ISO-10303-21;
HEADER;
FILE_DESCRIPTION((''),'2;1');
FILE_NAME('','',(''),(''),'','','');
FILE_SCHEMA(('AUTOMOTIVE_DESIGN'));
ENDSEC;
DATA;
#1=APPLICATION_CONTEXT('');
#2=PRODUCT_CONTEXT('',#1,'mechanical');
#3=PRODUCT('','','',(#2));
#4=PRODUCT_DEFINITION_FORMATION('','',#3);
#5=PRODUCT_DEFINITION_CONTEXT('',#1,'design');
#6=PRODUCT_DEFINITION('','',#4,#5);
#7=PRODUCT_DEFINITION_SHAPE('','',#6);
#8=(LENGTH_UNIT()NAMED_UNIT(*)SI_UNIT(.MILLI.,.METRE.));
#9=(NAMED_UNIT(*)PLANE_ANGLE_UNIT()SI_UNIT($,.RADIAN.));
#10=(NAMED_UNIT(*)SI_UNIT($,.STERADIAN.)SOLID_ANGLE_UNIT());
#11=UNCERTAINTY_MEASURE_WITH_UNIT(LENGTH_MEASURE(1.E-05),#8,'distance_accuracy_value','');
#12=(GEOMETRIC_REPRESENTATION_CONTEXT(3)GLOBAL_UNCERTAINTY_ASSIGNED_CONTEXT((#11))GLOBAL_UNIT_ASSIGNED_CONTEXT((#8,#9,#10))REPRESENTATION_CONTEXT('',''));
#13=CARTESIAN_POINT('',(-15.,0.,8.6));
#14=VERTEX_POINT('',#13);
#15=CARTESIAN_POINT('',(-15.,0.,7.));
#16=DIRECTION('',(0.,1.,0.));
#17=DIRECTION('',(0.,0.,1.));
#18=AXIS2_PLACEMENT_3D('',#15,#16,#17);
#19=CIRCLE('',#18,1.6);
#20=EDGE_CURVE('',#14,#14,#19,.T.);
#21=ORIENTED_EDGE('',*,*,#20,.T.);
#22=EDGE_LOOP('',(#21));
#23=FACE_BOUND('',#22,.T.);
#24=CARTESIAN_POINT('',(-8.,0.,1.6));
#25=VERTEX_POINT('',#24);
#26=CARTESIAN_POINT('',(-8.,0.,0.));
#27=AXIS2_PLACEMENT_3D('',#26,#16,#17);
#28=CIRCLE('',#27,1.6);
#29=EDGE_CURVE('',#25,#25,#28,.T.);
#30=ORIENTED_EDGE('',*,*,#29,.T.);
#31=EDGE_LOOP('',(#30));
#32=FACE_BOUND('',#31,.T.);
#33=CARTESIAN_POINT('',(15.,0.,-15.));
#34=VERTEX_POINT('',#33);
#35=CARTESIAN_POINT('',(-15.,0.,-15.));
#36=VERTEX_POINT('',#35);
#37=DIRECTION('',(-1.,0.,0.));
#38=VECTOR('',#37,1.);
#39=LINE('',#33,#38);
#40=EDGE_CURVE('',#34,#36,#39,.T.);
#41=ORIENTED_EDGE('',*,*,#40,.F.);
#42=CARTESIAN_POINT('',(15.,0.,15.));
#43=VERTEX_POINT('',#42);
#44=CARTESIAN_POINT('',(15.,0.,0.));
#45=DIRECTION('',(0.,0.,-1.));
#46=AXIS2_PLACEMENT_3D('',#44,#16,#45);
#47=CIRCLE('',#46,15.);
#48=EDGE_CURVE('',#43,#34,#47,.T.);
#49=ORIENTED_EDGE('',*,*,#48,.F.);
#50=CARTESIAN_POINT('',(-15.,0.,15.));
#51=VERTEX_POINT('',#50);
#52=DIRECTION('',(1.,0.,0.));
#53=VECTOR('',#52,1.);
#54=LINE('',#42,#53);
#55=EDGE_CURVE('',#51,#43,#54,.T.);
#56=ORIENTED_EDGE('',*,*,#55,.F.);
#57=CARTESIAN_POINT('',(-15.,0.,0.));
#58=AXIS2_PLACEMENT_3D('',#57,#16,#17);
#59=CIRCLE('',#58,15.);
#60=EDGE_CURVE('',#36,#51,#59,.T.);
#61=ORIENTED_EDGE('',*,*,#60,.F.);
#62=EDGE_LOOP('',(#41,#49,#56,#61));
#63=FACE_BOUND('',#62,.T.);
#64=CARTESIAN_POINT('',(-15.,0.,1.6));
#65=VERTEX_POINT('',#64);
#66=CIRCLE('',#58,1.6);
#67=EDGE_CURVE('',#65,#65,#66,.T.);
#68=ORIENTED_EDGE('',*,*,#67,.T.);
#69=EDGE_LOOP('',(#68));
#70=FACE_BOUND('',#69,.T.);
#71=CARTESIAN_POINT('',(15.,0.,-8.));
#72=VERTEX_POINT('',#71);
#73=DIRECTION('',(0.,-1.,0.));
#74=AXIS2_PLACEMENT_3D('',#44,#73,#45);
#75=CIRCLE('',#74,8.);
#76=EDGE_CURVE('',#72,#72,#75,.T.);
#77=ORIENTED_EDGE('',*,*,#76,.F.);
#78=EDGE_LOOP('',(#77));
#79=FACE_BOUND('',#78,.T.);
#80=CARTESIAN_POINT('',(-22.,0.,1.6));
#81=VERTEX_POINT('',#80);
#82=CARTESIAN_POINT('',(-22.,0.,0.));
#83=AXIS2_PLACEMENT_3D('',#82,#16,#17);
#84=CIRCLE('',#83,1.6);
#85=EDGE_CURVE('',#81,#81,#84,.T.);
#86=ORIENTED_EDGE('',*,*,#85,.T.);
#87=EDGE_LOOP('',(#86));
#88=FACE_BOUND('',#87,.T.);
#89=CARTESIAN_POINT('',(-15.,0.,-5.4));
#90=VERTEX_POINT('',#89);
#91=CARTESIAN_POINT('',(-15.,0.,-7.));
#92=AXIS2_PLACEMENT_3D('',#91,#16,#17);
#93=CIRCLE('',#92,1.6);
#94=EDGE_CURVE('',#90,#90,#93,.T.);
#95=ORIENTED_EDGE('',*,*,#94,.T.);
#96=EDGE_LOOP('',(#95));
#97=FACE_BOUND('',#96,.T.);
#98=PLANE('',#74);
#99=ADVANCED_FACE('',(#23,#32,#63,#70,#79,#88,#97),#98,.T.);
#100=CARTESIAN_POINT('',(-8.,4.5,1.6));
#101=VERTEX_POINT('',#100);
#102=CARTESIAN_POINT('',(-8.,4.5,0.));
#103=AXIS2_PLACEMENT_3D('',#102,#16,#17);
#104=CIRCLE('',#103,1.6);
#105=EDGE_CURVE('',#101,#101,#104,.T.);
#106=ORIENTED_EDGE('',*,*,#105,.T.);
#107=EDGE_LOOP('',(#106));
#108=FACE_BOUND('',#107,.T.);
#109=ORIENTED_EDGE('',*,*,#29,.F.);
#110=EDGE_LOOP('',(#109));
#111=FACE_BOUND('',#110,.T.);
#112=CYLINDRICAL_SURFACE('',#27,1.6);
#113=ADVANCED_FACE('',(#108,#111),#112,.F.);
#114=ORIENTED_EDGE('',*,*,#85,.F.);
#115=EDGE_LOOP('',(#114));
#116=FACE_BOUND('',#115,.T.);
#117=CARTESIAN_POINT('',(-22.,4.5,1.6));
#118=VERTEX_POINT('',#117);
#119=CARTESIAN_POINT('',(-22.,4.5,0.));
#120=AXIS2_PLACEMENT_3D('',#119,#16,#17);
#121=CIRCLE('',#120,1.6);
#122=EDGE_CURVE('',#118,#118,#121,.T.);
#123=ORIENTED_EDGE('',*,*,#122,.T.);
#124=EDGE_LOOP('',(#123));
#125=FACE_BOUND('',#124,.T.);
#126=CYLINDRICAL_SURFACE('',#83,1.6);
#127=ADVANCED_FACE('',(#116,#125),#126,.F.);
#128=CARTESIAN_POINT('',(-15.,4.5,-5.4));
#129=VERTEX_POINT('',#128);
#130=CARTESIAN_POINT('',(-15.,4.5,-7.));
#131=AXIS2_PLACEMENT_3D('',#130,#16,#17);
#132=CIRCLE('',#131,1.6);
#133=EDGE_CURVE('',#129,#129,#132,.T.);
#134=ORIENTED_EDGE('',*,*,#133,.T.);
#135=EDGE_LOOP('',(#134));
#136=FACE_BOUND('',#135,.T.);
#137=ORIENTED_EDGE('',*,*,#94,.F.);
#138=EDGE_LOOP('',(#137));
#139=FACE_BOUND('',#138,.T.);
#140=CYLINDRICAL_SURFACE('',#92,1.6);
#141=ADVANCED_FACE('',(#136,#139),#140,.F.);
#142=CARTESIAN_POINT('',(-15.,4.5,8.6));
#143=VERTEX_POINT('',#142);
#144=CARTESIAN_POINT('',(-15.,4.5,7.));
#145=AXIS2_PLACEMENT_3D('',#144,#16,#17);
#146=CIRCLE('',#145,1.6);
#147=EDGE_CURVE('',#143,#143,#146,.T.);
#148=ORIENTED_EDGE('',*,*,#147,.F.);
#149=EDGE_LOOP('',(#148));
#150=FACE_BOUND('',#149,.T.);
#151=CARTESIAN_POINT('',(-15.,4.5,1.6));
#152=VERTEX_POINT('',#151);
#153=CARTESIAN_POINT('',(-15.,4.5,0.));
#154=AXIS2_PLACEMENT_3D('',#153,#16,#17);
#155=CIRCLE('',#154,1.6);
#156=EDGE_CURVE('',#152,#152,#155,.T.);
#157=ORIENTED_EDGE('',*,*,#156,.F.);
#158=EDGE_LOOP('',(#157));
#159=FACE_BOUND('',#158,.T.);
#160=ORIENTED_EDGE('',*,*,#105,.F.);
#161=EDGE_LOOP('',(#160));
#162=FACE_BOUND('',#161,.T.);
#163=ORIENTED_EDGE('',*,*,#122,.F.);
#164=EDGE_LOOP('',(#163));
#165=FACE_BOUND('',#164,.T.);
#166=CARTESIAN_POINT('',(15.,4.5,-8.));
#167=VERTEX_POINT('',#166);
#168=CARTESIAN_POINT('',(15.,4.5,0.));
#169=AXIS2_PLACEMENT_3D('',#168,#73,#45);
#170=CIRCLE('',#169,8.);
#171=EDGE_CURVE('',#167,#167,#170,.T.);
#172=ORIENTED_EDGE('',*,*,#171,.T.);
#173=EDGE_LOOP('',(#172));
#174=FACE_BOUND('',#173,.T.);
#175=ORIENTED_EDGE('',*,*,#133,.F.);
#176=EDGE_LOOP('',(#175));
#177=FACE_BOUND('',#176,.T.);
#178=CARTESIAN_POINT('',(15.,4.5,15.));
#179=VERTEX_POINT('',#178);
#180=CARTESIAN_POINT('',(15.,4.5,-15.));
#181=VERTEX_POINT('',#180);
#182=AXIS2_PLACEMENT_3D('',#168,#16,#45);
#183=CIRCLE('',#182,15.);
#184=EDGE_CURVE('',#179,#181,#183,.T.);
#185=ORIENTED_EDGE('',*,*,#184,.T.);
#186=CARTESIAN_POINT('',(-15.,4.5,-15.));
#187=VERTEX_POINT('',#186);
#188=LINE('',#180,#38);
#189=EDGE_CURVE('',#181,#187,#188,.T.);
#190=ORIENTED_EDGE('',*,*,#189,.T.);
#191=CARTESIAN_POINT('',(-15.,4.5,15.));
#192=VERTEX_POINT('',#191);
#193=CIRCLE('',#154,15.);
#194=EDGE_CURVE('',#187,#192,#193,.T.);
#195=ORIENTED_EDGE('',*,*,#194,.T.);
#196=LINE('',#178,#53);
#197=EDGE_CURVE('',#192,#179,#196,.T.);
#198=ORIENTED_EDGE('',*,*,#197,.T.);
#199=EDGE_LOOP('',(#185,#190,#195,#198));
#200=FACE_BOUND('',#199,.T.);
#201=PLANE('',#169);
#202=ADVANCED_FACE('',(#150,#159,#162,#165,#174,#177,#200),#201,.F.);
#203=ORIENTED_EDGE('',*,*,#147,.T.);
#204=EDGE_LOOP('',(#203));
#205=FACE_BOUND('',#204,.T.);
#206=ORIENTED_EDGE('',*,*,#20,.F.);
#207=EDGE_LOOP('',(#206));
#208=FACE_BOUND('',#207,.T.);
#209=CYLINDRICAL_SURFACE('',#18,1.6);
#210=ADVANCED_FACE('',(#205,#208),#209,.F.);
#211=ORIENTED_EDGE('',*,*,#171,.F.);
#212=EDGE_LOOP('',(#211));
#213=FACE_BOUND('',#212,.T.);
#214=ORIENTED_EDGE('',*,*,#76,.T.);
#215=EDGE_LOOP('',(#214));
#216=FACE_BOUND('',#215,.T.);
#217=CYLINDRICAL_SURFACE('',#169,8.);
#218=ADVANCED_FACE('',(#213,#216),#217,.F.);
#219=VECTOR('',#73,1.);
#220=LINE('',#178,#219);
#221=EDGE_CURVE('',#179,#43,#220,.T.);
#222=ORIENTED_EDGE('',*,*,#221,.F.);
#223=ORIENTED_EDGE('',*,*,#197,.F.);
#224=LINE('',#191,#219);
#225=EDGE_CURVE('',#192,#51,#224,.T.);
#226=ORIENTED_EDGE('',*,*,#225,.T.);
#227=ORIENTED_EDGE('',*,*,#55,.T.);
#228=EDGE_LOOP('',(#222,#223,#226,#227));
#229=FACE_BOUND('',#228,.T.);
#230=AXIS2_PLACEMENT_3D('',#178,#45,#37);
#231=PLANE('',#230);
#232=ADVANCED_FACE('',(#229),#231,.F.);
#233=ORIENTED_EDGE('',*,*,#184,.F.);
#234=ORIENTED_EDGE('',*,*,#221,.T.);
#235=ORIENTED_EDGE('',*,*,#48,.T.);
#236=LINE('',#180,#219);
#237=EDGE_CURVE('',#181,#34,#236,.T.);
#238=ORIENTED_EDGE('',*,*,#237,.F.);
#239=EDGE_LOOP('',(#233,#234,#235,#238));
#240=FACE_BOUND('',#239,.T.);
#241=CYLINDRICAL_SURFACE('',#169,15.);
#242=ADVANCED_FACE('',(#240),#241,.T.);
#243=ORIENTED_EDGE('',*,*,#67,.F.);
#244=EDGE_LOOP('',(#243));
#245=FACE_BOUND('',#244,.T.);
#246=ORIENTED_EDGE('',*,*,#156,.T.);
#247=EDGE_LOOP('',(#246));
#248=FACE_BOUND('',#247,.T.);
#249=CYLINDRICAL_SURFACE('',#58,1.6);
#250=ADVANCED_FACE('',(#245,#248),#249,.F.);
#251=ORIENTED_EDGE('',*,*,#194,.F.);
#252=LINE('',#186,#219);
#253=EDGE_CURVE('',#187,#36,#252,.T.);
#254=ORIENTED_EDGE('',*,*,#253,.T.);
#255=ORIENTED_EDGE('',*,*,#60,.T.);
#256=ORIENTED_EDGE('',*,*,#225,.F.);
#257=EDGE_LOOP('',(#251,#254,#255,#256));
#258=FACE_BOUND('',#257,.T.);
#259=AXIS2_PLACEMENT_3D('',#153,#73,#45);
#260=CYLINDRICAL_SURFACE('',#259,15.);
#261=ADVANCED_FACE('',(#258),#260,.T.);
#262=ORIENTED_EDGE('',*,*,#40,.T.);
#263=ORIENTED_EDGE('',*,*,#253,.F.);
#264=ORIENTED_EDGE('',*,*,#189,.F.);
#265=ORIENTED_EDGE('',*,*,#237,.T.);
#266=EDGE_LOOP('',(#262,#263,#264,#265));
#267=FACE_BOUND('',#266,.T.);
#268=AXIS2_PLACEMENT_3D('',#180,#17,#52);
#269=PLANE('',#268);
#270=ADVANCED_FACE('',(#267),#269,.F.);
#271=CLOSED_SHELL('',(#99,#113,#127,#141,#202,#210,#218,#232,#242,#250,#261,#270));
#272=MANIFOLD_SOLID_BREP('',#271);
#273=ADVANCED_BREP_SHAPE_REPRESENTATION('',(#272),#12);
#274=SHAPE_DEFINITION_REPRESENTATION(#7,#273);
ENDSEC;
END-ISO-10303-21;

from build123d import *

# Parameters (mm, degrees)
BOSS_EXTRUDE1_DEPTH     = 4.5
SKETCH4_R               = 1.6
SERVO_HORN_HOLES_DEPTH  = 34.841542518
SKETCH5_R               = 8
BEARING_PRESS_FIT_DEPTH = 34.841542518


with BuildPart() as part:
    # Sketch2 → Boss-Extrude1 (new body)
    with BuildSketch(Plane(origin=(0, 0, 0), x_dir=(1, 0, 0), z_dir=(0, 1, 0))):
        with BuildLine():
            Line((15, 15), (-15, 15))
            ThreePointArc((-15, 15), (-30, 0), (-15, -15))
            Line((-15, -15), (15, -15))
            ThreePointArc((15, -15), (30, 0), (15, 15))
        make_face()
    extrude(amount=BOSS_EXTRUDE1_DEPTH)

    # Sketch4 → Servo horn holes (cut, through all)
    with BuildSketch(Plane(origin=(0, 4.5, 0), x_dir=(1, 0, 0), z_dir=(0, 1, 0))):
        with Locations(Location((-15, 0, 0), (0, 0, 270))):
            Circle(SKETCH4_R)
        with Locations(Location((-8, 0, 0), (0, 0, 270))):
            Circle(SKETCH4_R)
        with Locations(Location((-15, -7, 0), (0, 0, 270))):
            Circle(SKETCH4_R)
        with Locations(Location((-22, 0, 0), (0, 0, 270))):
            Circle(SKETCH4_R)
        with Locations(Location((-15, 7, 0), (0, 0, 270))):
            Circle(SKETCH4_R)
    extrude(amount=-SERVO_HORN_HOLES_DEPTH, mode=Mode.SUBTRACT)

    # Sketch5 → Bearing press fit (cut, through all)
    with BuildSketch(Plane(origin=(0, 0, 0), x_dir=(-1, 0, 0), z_dir=(0, -1, 0))):
        with Locations(Location((-15, 0, 0), (0, 0, 90))):
            Circle(SKETCH5_R)
    extrude(amount=-BEARING_PRESS_FIT_DEPTH, mode=Mode.SUBTRACT)


solid = part.part
